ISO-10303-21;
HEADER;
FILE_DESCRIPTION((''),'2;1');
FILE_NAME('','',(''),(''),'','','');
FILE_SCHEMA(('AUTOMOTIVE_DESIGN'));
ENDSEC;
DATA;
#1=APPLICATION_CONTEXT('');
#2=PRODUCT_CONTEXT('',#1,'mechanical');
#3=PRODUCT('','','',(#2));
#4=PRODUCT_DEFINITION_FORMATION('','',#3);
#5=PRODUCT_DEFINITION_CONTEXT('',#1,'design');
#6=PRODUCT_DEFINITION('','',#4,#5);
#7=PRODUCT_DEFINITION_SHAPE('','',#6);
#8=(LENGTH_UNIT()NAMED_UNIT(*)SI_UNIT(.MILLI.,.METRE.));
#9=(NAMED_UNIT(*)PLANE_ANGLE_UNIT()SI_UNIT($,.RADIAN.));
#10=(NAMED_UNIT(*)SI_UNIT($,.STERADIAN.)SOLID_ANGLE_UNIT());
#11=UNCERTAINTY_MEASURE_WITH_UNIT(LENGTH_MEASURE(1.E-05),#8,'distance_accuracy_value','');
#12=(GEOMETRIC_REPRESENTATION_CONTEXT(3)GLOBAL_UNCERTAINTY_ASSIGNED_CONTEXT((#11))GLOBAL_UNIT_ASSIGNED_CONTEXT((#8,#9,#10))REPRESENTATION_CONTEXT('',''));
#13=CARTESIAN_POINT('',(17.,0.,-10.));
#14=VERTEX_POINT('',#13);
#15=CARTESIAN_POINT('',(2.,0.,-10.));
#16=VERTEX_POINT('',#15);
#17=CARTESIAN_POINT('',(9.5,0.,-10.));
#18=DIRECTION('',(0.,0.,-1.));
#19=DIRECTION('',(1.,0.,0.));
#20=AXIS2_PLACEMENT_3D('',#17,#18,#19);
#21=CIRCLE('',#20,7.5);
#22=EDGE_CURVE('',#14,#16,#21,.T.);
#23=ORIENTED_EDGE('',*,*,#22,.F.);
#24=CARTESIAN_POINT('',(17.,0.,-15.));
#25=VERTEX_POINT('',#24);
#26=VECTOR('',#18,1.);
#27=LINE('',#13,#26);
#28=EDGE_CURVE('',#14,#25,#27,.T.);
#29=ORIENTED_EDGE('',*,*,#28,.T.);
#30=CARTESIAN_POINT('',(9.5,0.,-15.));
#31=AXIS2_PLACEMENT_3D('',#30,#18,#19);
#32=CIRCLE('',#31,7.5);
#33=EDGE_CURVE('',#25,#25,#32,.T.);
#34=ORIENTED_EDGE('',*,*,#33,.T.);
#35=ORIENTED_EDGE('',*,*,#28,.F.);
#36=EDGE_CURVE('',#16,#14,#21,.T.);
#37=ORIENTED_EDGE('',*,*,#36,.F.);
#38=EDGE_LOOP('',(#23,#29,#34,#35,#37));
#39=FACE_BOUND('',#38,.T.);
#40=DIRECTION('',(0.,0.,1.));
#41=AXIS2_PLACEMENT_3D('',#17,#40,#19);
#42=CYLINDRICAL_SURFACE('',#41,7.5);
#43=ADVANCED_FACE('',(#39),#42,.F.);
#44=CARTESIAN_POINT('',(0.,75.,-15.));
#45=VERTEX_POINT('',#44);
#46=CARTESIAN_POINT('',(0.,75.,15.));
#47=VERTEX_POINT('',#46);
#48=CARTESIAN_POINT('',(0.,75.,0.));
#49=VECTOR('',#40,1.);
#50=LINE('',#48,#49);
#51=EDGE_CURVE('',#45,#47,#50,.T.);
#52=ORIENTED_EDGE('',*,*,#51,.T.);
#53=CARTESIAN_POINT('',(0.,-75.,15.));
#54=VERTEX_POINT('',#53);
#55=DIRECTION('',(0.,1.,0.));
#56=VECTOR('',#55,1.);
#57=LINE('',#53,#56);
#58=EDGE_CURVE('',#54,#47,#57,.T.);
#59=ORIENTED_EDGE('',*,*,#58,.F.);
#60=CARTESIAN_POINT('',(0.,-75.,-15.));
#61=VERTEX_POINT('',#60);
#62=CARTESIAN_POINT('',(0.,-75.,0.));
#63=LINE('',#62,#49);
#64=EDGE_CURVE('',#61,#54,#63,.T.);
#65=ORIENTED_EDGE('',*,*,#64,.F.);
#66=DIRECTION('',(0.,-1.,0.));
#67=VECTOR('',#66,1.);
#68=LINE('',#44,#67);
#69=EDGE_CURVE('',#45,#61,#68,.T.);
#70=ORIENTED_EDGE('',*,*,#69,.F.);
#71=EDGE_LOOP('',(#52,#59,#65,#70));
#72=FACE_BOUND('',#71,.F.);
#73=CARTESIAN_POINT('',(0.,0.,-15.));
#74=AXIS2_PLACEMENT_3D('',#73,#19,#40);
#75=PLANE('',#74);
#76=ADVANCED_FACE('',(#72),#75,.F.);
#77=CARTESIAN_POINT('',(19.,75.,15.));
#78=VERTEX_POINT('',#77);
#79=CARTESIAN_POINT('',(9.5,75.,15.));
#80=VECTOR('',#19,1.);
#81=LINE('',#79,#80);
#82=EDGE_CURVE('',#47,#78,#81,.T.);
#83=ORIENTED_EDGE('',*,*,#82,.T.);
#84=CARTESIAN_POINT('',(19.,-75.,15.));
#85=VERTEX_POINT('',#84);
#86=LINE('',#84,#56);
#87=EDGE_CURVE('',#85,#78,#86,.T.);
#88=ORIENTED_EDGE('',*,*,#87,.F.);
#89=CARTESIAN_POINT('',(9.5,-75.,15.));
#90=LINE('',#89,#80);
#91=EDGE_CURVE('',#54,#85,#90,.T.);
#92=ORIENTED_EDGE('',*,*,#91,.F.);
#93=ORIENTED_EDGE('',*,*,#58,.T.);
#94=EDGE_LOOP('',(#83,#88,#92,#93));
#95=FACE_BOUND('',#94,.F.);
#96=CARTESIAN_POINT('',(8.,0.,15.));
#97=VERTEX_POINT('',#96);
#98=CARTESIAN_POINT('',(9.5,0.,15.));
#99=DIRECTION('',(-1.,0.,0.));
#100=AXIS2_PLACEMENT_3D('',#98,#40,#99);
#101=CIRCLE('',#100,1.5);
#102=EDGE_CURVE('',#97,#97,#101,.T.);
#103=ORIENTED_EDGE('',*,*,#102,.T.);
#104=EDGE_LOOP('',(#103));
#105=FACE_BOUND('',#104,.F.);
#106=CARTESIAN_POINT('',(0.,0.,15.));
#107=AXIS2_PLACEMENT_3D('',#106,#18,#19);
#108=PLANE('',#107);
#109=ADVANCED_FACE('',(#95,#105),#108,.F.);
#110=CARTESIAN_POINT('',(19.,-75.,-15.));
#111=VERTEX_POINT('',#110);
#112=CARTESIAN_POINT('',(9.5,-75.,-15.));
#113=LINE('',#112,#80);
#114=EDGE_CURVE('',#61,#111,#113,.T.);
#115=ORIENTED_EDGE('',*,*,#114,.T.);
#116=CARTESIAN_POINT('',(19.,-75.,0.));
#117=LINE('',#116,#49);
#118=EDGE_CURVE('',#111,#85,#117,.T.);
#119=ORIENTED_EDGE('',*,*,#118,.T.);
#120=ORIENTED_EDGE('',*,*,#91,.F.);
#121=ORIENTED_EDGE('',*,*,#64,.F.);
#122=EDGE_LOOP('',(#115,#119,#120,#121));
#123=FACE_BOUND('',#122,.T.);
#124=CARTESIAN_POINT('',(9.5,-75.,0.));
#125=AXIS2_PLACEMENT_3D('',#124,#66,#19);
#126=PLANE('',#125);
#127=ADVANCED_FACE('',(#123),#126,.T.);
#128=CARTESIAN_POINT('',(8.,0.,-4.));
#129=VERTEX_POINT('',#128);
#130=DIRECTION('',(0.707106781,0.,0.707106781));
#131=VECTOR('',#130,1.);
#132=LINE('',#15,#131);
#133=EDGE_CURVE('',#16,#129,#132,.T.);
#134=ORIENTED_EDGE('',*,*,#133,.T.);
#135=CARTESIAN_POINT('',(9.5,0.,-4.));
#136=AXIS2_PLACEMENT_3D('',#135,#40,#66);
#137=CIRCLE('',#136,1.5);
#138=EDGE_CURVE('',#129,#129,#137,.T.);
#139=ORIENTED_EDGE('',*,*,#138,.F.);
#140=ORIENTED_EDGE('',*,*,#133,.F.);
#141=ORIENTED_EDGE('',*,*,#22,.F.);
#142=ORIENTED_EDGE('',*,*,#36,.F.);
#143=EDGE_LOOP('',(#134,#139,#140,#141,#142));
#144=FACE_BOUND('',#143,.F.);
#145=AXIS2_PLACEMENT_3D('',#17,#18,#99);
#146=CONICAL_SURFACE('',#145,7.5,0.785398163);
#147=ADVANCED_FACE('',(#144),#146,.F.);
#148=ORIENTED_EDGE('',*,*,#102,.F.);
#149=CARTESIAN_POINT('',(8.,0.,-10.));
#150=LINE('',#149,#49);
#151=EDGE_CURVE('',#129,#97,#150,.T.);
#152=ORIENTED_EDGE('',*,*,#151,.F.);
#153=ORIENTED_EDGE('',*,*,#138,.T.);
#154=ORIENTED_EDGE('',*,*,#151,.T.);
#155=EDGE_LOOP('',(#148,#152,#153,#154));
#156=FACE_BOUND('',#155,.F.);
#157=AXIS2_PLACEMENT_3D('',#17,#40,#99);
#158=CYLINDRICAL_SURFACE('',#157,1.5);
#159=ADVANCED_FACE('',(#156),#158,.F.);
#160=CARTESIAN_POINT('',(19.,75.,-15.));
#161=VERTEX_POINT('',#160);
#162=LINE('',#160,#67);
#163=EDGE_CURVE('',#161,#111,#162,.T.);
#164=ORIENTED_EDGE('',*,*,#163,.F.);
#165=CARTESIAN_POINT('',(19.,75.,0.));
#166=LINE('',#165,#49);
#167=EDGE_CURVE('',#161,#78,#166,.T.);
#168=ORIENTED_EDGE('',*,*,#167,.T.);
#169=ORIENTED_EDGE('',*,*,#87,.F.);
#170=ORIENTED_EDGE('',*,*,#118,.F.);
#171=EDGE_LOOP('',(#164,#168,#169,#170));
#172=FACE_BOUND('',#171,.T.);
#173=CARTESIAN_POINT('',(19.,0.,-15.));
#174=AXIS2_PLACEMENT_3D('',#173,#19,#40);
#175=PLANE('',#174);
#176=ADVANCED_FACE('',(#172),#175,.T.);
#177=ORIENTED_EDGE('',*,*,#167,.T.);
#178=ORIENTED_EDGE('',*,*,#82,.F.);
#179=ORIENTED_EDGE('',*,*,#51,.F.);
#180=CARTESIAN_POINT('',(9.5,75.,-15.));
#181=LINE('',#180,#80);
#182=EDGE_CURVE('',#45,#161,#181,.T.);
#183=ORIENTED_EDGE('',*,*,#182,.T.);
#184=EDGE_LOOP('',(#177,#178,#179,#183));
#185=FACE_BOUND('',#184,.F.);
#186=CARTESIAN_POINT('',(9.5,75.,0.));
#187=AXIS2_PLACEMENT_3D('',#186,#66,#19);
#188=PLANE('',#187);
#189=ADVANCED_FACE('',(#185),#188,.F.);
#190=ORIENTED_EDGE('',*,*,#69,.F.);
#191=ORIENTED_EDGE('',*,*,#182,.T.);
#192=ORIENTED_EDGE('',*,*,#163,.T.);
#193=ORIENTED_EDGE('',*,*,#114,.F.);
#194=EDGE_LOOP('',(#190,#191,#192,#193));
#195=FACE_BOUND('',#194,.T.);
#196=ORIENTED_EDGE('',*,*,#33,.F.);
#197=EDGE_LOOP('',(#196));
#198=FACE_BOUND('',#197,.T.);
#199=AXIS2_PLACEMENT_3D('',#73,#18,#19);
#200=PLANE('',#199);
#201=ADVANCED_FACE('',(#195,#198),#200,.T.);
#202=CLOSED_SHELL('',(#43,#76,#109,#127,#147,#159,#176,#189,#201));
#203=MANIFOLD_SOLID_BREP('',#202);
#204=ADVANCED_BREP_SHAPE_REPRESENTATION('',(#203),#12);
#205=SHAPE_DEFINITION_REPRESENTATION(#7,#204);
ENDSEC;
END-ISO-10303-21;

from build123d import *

# Parameters (mm, degrees)
F1_W           = 19
F1_H           = 30
F2_DEPTH       = 75
F4_R           = 7.5
F5_DEPTH       = 5
F6_D           = 3
F6_CSINK_D     = 15
F6_CSINK_ANGLE = 90


with BuildPart() as f2:
    # F1 (on Front) → F2 (new body, symmetric)
    with BuildSketch(Plane.XZ):
        with Locations((9.5, 0)):
            Rectangle(F1_W, F1_H)
    extrude(amount=F2_DEPTH, both=True)

    # F4 (on offset) → F5 (cut, through all)
    with BuildSketch(Plane(origin=(0, 0, -10), x_dir=(1, 0, 0), z_dir=(0, 0, -1))):
        with Locations((9.5, 0)):
            Circle(F4_R)
    extrude(amount=F5_DEPTH, mode=Mode.SUBTRACT)

    # F6 (through all)
    with Locations(Plane(origin=(0, 0, -10), x_dir=(1, 0, 0), z_dir=(0, 0, -1))):
        with Locations((9.5, 0)):
            CounterSinkHole(F6_D / 2, F6_CSINK_D / 2, counter_sink_angle=F6_CSINK_ANGLE)


solid = f2.part
